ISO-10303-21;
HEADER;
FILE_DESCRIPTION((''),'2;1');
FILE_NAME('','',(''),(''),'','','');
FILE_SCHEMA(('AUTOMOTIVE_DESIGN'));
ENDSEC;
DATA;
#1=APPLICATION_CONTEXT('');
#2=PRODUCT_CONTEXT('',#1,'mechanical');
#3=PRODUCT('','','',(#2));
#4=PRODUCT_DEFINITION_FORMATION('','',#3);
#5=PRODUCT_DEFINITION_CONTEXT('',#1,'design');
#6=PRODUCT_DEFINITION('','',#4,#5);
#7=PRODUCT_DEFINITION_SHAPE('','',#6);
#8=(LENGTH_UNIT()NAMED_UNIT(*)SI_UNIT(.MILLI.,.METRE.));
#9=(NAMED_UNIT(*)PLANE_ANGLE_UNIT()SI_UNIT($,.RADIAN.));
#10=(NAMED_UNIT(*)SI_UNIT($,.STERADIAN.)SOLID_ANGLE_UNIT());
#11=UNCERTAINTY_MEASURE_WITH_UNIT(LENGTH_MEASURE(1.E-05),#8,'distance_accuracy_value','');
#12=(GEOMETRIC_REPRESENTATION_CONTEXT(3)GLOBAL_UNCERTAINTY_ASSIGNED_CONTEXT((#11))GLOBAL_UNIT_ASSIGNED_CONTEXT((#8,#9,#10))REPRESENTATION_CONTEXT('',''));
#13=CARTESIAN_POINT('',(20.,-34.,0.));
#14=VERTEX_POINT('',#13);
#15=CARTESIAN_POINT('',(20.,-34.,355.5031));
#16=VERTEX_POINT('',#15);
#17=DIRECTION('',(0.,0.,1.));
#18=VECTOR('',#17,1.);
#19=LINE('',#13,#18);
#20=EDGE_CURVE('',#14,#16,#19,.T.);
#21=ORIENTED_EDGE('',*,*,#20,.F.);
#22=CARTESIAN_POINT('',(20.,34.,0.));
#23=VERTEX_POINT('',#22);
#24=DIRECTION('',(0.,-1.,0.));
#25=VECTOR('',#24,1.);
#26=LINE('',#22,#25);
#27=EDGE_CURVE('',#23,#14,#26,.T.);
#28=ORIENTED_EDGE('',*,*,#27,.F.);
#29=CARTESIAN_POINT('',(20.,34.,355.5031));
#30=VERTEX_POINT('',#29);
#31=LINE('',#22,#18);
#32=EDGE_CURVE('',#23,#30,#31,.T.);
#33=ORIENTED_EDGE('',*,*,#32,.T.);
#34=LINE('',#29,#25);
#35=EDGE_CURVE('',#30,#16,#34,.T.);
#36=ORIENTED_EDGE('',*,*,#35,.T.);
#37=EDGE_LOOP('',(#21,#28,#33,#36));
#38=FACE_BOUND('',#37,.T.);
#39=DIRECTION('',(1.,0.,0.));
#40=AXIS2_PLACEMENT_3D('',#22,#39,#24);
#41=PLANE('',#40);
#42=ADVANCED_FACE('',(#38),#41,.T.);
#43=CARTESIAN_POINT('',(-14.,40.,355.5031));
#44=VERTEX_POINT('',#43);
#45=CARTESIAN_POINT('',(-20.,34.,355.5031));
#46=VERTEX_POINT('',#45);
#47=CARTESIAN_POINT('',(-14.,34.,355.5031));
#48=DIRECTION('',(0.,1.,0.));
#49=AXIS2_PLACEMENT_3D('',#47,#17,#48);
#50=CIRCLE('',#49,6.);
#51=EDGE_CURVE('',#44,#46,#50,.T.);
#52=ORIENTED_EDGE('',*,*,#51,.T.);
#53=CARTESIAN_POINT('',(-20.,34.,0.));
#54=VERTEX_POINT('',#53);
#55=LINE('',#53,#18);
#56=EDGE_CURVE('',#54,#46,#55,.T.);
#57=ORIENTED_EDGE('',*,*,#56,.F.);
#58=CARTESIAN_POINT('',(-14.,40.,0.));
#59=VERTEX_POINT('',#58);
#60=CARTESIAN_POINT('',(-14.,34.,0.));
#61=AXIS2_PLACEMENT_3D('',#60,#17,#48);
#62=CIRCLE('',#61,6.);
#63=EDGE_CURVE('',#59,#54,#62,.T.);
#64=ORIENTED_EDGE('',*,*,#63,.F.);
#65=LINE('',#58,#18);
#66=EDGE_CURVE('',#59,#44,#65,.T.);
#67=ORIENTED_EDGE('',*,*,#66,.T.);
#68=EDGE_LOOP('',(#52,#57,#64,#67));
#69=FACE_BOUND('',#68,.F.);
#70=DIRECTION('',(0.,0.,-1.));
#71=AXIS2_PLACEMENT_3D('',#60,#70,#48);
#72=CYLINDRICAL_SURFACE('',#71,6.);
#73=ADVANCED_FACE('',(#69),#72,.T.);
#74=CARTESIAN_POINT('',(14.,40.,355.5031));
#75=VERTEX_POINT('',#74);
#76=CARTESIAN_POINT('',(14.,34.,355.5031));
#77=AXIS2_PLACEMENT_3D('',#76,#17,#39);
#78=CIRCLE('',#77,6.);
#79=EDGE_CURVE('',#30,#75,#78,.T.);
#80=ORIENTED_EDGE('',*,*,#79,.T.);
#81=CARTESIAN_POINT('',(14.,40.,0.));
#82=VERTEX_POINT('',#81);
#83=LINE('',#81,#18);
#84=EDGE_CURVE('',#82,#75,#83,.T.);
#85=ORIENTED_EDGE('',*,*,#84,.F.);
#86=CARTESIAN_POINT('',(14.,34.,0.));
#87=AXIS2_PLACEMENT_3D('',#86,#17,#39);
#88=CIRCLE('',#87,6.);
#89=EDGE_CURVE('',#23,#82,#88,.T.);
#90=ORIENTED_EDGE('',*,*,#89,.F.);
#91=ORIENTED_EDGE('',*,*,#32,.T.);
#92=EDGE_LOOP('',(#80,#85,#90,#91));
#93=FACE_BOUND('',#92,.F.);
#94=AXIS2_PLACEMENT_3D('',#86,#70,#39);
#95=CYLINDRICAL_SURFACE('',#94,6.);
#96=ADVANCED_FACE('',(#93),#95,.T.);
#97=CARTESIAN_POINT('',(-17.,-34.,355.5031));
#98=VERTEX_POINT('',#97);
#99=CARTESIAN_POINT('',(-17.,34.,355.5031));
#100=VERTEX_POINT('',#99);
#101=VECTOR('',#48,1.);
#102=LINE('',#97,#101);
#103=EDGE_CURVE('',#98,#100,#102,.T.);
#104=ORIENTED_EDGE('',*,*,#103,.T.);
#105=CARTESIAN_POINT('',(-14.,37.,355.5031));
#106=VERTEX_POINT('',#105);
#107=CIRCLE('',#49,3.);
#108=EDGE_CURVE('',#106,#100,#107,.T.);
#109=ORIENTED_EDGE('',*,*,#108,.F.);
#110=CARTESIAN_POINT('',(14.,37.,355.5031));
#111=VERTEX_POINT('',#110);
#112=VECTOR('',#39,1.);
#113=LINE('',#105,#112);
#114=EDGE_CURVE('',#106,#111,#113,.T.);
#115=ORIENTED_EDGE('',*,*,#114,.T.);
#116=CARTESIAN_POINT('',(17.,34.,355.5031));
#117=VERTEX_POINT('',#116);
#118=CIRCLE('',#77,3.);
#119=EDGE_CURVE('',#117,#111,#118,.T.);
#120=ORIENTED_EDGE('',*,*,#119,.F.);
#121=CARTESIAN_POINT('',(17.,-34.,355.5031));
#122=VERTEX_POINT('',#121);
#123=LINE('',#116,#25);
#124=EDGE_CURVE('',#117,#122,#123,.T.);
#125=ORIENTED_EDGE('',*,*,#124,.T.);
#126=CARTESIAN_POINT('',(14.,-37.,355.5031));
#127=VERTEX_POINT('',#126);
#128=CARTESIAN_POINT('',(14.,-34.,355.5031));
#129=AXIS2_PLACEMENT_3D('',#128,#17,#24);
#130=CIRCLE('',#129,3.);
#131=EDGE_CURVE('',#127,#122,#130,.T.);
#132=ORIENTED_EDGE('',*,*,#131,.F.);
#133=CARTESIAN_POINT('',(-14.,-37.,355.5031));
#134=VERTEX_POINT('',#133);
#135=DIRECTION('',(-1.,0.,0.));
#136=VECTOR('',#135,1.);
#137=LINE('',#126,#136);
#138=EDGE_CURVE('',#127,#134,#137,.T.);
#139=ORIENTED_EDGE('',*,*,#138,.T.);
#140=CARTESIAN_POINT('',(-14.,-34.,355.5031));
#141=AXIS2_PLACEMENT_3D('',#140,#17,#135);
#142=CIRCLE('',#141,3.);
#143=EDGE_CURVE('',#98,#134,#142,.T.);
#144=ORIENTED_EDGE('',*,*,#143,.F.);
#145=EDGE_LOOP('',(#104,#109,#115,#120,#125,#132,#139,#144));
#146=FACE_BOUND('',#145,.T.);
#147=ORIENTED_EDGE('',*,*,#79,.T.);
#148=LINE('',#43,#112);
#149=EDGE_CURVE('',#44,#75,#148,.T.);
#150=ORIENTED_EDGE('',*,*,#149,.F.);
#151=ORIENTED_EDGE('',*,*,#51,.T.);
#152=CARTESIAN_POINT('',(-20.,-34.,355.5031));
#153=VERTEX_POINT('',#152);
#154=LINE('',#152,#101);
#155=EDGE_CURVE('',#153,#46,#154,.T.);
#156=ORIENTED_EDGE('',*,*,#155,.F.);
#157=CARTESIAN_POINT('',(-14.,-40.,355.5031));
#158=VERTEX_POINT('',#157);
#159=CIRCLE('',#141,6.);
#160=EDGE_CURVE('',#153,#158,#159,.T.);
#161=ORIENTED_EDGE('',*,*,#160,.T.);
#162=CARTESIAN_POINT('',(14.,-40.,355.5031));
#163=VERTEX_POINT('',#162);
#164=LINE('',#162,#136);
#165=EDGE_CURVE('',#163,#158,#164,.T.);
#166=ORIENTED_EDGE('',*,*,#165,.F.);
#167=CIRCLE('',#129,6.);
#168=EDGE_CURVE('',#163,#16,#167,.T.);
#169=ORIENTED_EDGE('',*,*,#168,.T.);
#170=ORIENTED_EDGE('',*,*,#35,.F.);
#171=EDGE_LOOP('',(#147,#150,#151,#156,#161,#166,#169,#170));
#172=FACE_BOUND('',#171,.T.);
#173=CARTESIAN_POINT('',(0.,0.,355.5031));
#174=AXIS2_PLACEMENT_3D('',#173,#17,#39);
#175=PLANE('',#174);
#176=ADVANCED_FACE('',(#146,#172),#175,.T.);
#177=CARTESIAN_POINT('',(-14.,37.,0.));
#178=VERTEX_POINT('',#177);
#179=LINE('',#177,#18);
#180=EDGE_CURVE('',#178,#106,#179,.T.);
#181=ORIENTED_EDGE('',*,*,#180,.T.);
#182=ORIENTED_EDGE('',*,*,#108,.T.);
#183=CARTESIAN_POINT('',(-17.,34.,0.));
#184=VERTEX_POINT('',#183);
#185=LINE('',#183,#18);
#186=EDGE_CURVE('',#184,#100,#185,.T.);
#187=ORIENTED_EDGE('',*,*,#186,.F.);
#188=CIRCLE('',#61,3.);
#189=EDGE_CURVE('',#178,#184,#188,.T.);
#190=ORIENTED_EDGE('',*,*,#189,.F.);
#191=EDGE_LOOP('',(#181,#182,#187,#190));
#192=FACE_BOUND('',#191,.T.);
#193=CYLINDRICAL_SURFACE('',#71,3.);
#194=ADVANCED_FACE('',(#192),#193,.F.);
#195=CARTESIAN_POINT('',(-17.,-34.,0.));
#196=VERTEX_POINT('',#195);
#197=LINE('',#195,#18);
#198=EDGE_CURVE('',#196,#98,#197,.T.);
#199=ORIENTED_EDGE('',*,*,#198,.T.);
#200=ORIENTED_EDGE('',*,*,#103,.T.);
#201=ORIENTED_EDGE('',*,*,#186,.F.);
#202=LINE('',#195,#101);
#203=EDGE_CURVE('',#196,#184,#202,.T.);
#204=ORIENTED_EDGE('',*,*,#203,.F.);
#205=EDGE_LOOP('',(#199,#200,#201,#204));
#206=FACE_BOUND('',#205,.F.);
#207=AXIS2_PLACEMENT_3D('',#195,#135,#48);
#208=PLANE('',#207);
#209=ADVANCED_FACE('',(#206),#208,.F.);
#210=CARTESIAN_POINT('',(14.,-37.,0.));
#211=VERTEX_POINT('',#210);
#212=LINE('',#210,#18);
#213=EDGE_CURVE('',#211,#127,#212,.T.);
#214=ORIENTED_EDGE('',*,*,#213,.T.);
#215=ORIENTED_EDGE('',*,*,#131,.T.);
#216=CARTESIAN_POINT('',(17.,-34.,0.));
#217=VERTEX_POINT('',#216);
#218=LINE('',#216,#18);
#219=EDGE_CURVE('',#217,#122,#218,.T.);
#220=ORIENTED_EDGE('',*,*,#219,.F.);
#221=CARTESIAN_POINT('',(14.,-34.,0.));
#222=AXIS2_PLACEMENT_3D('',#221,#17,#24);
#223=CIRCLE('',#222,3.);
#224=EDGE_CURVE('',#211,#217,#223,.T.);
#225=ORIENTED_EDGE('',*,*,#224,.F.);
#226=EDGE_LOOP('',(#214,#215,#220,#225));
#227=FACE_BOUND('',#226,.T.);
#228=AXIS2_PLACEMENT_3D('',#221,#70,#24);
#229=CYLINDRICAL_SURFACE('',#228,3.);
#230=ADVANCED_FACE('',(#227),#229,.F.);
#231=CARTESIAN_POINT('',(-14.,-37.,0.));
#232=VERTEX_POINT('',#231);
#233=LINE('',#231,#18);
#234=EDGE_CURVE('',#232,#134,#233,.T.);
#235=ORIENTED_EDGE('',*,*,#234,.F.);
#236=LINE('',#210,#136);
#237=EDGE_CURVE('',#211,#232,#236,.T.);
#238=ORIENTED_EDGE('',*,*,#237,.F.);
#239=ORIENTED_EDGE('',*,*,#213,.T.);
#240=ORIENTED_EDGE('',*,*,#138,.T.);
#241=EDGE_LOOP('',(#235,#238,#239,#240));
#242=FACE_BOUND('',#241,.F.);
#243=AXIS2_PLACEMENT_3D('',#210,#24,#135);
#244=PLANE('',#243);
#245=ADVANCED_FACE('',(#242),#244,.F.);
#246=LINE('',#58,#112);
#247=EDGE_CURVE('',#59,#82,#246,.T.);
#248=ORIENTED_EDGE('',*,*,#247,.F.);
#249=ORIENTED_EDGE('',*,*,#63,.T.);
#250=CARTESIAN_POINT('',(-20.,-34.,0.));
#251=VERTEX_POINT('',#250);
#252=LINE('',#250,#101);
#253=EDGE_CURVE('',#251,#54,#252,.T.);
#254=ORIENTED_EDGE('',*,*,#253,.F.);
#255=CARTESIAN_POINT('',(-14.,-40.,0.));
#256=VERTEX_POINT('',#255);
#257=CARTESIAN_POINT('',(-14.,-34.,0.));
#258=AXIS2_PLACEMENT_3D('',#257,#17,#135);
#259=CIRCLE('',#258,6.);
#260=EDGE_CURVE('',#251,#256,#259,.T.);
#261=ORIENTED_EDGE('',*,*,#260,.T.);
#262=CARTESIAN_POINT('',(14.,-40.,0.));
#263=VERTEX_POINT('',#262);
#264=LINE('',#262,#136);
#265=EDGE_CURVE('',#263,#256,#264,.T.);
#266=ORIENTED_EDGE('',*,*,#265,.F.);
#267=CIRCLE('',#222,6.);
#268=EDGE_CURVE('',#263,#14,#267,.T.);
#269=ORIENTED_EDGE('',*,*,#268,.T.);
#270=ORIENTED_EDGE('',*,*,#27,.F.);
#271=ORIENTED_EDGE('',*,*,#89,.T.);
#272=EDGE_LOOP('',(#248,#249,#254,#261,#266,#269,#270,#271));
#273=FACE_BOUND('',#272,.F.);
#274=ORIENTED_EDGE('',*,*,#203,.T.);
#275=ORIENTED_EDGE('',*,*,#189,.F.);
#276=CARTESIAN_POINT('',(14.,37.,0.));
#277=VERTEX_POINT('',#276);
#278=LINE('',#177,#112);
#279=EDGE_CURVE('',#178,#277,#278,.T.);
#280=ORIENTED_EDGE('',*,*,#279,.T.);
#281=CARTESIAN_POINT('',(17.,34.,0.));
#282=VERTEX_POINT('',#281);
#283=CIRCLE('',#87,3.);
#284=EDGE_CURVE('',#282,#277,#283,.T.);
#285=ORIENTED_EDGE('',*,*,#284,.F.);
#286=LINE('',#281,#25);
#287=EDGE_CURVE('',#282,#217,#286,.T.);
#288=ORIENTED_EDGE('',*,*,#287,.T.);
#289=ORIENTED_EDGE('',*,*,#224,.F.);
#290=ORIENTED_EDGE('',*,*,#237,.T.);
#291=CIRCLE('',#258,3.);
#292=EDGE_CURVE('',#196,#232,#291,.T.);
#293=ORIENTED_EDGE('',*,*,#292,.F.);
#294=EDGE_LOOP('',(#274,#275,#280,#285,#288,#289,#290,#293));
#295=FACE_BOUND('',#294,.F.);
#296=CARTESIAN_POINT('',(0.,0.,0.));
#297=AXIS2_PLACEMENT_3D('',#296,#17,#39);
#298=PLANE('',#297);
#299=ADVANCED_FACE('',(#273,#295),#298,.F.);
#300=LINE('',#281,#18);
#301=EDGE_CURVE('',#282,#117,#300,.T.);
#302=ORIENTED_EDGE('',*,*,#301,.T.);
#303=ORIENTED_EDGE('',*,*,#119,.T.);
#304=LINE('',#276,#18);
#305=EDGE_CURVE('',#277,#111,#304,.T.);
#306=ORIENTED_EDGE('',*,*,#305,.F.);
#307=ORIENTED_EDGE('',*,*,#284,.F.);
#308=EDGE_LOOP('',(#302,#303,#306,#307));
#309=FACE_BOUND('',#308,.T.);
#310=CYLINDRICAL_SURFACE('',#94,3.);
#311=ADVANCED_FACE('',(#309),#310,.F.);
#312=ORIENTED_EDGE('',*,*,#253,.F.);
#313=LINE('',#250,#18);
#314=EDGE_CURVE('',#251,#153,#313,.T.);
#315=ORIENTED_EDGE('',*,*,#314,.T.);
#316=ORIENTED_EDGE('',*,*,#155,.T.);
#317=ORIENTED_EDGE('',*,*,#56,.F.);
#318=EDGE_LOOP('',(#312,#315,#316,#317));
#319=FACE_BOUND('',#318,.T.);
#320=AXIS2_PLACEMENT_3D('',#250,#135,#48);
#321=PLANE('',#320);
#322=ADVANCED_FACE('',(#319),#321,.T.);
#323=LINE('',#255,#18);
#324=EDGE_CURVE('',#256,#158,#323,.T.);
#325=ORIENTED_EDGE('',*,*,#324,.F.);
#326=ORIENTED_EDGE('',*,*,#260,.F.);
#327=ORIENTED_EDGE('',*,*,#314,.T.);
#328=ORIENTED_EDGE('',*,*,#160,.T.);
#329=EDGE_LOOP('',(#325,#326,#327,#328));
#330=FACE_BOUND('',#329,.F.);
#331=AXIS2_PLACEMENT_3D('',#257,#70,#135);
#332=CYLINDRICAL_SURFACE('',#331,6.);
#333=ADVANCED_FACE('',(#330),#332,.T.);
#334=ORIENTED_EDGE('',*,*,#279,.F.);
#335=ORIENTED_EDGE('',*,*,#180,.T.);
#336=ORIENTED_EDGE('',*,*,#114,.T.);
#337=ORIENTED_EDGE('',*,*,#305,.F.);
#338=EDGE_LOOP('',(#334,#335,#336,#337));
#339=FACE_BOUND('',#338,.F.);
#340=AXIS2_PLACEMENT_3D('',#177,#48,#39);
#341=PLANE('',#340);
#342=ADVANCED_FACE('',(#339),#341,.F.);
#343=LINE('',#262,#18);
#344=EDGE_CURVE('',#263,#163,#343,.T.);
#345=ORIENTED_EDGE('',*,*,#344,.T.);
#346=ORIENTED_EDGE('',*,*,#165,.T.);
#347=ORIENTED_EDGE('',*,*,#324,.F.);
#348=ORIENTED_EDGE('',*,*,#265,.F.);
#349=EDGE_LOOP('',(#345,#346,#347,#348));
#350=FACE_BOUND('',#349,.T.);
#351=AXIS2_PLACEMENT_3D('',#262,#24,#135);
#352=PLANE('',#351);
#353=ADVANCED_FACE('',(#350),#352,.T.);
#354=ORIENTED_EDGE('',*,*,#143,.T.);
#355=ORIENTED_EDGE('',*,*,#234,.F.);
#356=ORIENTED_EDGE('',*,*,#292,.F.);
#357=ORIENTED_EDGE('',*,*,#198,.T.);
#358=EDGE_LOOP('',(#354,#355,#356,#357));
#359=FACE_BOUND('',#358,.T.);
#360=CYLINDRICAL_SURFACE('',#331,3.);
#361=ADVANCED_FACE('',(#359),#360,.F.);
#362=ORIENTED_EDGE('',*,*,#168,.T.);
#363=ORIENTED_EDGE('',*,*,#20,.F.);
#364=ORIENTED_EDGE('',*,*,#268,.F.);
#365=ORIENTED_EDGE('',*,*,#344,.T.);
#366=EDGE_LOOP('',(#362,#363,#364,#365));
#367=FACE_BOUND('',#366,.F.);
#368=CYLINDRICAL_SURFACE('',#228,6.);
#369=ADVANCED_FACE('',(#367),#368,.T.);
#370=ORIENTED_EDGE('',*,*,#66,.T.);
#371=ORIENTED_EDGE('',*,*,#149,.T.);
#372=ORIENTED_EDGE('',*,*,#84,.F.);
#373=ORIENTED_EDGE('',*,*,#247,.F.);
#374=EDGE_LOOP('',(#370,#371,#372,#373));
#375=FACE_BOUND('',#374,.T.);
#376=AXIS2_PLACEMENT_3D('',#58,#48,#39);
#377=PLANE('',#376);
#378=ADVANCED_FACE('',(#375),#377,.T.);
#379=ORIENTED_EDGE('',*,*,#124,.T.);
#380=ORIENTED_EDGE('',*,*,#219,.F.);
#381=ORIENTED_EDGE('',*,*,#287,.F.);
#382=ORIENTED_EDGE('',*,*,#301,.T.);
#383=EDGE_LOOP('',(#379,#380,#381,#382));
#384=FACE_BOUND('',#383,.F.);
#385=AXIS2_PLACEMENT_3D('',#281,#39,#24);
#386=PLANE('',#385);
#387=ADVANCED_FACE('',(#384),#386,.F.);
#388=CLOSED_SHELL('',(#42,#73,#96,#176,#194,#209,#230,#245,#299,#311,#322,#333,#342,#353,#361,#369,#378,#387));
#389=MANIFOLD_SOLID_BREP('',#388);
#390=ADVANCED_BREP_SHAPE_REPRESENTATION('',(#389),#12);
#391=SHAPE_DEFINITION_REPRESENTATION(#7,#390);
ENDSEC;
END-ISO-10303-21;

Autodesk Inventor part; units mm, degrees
ref_plane "YZ Plane" through (0, 0, 0) normal (1, 0, 0) x (0, 1, 0)
ref_plane "Start Plane" through (0, 0, 0) normal (0, 0, 1) x (1, 0, 0)
ref_plane "End Plane" through (0, 0, 355.5031) normal (0, 0, 1) x (1, 0, 0)
sketch "Sketch" plane through (0, 0, 0) normal (0, 0, 1) x (1, 0, 0)
  line L0 (-20, -34) -> (-20, 34)
  line L1 (-14, 40) -> (14, 40)
  line L2 (20, 34) -> (20, -34)
  line L3 (14, -40) -> (-14, -40)
  arc A0 (-20, -34) -> (-14, -40) centre (-14, -34) ccw
  arc A1 (20, 34) -> (14, 40) centre (14, 34) ccw
  arc A2 (-14, 40) -> (-20, 34) centre (-14, 34) ccw
  arc A3 (14, -40) -> (20, -34) centre (14, -34) ccw
  arc A4 (-14, 37) -> (-17, 34) centre (-14, 34) ccw
  line L4 (-14, 37) -> (14, 37)
  arc A5 (17, 34) -> (14, 37) centre (14, 34) ccw
  line L5 (17, 34) -> (17, -34)
  arc A6 (14, -37) -> (17, -34) centre (14, -34) ccw
  line L6 (14, -37) -> (-14, -37)
  arc A7 (-17, -34) -> (-14, -37) centre (-14, -34) ccw
  line L7 (-17, -34) -> (-17, 34)
  line L8 (0, 57.7397) -> (0, -57.7397) construction
  line L9 (-29.7397, 0) -> (29.7397, 0) construction
  dimension "d7" = 6
  dimension "d9" = 40
  dimension "d11" = 80
  dimension "d12" = 3
  dimension "d15" = 20
  dimension "d16" = 40
extrude "Body" add sketch "Sketch" along normal up to surface (355.5031 mm away) from surface at 0
sketch "Sketch3" plane through (0, 0, 0) normal (0, 0, 1) x (1, 0, 0)
  line L0 (0, 0) -> (10, 0)
ref_plane "Work Plane3" through (0, 0, 0) normal (0, -1, 0) x (1, 0, 0)
sketch "Sketch4" plane through (0, 0, 0) normal (0, -1, 0) x (1, 0, 0)
  line L0 (-2, 0) -> (12, 0) projected
  line L1 (-2, 355.5031) -> (12, 355.5031) projected
  dimension "d18" = 355.5031
equation "\"d7\" = G_IR"
equation "\"d9\" = G_W"
equation "\"d11\" = G_H"
equation "\"d12\" = G_T"
equation "\"d15\" = 0.5 * d9"
equation "\"d16\" = 0.5 * d11"
equation "\"d3\" = G_L"
equation "\"G_W\" = 40"
equation "\"G_H\" = 80"
equation "\"G_T\" = 3"
equation "\"G_IR\" = 6"
equation "\"G_L\" = d18"
equation "\"G_OFFSET_START\" = 0"
equation "\"G_OFFSET_END\" = 0"
equation "\"d14\" = G_OFFSET_END + B_L"
equation "\"B_L\" = 355.50309"
properties part number "ISO 10799-2 - 80x40x3 - 355,5" material "Steel, Mild"
